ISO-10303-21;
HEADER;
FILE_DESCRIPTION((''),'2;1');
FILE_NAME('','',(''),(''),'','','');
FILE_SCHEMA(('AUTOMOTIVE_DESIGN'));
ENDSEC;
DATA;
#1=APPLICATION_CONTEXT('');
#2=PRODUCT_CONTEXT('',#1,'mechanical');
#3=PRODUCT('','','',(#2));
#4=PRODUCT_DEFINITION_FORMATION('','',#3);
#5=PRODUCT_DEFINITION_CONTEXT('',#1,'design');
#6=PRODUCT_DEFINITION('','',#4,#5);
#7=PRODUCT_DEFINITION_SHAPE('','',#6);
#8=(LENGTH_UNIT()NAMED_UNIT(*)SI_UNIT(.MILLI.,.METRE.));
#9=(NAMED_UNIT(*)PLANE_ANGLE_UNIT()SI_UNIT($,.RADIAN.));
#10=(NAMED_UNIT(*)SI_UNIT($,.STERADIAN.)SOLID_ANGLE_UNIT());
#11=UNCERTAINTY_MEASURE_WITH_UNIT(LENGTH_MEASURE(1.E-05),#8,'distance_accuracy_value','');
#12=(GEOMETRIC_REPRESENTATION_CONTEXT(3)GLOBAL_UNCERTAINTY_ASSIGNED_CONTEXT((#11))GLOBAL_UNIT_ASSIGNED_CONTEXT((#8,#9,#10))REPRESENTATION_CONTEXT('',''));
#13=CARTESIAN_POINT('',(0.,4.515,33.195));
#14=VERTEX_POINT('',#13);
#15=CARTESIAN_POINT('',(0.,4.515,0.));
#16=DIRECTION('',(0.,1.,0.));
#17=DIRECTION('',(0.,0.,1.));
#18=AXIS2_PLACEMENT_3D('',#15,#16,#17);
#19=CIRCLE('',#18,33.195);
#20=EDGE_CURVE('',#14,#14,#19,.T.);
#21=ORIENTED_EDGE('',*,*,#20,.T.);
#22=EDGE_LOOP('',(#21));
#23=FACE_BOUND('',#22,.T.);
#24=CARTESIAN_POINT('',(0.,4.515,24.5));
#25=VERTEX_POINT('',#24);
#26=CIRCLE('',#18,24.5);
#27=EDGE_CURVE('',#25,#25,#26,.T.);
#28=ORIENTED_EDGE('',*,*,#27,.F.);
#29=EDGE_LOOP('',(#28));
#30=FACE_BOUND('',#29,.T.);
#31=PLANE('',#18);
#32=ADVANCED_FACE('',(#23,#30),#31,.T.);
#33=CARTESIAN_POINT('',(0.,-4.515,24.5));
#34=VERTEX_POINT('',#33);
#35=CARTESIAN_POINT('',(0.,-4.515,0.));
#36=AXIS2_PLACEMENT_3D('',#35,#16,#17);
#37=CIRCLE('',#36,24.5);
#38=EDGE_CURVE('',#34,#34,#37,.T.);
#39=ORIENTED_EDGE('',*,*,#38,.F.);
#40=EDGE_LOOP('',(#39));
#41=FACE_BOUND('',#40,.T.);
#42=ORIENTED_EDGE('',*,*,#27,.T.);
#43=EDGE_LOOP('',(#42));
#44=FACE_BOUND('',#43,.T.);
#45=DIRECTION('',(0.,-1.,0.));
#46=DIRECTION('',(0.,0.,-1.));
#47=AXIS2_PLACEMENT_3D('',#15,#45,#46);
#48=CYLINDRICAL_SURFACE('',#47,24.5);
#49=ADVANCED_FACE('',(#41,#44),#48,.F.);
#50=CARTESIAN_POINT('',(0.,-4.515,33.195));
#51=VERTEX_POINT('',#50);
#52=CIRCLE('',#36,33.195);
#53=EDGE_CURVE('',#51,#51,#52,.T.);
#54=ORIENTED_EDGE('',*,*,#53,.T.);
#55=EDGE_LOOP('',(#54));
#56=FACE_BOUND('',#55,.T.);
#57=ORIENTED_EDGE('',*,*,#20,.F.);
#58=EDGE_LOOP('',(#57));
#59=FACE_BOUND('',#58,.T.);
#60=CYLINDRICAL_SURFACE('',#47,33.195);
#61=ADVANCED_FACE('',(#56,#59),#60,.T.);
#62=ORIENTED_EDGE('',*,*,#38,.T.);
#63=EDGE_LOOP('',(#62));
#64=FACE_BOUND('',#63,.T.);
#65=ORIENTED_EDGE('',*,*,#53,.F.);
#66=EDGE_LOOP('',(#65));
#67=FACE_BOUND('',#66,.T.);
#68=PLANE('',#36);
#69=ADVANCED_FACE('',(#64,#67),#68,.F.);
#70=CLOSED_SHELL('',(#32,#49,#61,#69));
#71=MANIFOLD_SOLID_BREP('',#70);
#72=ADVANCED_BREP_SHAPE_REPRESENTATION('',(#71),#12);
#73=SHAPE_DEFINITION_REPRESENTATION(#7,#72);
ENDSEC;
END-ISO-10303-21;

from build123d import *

# Parameters (mm, degrees)
SKETCH1_R           = 33.195
SKETCH1_R_2         = 24.5
BOSS_EXTRUDE1_DEPTH = 4.515


with BuildPart() as part:
    # Sketch1 → Boss-Extrude1 (new, symmetric)
    with BuildSketch(Plane(origin=(0, 0, 0), x_dir=(1, 0, 0), z_dir=(0, 1, 0))):
        with Locations(Location((0, 0, 0), (0, 0, 270))):
            Circle(SKETCH1_R)
        with Locations(Location((0, 0, 0), (0, 0, 270))):
            Circle(SKETCH1_R_2, mode=Mode.SUBTRACT)
    extrude(amount=BOSS_EXTRUDE1_DEPTH, both=True)


solid = part.part
